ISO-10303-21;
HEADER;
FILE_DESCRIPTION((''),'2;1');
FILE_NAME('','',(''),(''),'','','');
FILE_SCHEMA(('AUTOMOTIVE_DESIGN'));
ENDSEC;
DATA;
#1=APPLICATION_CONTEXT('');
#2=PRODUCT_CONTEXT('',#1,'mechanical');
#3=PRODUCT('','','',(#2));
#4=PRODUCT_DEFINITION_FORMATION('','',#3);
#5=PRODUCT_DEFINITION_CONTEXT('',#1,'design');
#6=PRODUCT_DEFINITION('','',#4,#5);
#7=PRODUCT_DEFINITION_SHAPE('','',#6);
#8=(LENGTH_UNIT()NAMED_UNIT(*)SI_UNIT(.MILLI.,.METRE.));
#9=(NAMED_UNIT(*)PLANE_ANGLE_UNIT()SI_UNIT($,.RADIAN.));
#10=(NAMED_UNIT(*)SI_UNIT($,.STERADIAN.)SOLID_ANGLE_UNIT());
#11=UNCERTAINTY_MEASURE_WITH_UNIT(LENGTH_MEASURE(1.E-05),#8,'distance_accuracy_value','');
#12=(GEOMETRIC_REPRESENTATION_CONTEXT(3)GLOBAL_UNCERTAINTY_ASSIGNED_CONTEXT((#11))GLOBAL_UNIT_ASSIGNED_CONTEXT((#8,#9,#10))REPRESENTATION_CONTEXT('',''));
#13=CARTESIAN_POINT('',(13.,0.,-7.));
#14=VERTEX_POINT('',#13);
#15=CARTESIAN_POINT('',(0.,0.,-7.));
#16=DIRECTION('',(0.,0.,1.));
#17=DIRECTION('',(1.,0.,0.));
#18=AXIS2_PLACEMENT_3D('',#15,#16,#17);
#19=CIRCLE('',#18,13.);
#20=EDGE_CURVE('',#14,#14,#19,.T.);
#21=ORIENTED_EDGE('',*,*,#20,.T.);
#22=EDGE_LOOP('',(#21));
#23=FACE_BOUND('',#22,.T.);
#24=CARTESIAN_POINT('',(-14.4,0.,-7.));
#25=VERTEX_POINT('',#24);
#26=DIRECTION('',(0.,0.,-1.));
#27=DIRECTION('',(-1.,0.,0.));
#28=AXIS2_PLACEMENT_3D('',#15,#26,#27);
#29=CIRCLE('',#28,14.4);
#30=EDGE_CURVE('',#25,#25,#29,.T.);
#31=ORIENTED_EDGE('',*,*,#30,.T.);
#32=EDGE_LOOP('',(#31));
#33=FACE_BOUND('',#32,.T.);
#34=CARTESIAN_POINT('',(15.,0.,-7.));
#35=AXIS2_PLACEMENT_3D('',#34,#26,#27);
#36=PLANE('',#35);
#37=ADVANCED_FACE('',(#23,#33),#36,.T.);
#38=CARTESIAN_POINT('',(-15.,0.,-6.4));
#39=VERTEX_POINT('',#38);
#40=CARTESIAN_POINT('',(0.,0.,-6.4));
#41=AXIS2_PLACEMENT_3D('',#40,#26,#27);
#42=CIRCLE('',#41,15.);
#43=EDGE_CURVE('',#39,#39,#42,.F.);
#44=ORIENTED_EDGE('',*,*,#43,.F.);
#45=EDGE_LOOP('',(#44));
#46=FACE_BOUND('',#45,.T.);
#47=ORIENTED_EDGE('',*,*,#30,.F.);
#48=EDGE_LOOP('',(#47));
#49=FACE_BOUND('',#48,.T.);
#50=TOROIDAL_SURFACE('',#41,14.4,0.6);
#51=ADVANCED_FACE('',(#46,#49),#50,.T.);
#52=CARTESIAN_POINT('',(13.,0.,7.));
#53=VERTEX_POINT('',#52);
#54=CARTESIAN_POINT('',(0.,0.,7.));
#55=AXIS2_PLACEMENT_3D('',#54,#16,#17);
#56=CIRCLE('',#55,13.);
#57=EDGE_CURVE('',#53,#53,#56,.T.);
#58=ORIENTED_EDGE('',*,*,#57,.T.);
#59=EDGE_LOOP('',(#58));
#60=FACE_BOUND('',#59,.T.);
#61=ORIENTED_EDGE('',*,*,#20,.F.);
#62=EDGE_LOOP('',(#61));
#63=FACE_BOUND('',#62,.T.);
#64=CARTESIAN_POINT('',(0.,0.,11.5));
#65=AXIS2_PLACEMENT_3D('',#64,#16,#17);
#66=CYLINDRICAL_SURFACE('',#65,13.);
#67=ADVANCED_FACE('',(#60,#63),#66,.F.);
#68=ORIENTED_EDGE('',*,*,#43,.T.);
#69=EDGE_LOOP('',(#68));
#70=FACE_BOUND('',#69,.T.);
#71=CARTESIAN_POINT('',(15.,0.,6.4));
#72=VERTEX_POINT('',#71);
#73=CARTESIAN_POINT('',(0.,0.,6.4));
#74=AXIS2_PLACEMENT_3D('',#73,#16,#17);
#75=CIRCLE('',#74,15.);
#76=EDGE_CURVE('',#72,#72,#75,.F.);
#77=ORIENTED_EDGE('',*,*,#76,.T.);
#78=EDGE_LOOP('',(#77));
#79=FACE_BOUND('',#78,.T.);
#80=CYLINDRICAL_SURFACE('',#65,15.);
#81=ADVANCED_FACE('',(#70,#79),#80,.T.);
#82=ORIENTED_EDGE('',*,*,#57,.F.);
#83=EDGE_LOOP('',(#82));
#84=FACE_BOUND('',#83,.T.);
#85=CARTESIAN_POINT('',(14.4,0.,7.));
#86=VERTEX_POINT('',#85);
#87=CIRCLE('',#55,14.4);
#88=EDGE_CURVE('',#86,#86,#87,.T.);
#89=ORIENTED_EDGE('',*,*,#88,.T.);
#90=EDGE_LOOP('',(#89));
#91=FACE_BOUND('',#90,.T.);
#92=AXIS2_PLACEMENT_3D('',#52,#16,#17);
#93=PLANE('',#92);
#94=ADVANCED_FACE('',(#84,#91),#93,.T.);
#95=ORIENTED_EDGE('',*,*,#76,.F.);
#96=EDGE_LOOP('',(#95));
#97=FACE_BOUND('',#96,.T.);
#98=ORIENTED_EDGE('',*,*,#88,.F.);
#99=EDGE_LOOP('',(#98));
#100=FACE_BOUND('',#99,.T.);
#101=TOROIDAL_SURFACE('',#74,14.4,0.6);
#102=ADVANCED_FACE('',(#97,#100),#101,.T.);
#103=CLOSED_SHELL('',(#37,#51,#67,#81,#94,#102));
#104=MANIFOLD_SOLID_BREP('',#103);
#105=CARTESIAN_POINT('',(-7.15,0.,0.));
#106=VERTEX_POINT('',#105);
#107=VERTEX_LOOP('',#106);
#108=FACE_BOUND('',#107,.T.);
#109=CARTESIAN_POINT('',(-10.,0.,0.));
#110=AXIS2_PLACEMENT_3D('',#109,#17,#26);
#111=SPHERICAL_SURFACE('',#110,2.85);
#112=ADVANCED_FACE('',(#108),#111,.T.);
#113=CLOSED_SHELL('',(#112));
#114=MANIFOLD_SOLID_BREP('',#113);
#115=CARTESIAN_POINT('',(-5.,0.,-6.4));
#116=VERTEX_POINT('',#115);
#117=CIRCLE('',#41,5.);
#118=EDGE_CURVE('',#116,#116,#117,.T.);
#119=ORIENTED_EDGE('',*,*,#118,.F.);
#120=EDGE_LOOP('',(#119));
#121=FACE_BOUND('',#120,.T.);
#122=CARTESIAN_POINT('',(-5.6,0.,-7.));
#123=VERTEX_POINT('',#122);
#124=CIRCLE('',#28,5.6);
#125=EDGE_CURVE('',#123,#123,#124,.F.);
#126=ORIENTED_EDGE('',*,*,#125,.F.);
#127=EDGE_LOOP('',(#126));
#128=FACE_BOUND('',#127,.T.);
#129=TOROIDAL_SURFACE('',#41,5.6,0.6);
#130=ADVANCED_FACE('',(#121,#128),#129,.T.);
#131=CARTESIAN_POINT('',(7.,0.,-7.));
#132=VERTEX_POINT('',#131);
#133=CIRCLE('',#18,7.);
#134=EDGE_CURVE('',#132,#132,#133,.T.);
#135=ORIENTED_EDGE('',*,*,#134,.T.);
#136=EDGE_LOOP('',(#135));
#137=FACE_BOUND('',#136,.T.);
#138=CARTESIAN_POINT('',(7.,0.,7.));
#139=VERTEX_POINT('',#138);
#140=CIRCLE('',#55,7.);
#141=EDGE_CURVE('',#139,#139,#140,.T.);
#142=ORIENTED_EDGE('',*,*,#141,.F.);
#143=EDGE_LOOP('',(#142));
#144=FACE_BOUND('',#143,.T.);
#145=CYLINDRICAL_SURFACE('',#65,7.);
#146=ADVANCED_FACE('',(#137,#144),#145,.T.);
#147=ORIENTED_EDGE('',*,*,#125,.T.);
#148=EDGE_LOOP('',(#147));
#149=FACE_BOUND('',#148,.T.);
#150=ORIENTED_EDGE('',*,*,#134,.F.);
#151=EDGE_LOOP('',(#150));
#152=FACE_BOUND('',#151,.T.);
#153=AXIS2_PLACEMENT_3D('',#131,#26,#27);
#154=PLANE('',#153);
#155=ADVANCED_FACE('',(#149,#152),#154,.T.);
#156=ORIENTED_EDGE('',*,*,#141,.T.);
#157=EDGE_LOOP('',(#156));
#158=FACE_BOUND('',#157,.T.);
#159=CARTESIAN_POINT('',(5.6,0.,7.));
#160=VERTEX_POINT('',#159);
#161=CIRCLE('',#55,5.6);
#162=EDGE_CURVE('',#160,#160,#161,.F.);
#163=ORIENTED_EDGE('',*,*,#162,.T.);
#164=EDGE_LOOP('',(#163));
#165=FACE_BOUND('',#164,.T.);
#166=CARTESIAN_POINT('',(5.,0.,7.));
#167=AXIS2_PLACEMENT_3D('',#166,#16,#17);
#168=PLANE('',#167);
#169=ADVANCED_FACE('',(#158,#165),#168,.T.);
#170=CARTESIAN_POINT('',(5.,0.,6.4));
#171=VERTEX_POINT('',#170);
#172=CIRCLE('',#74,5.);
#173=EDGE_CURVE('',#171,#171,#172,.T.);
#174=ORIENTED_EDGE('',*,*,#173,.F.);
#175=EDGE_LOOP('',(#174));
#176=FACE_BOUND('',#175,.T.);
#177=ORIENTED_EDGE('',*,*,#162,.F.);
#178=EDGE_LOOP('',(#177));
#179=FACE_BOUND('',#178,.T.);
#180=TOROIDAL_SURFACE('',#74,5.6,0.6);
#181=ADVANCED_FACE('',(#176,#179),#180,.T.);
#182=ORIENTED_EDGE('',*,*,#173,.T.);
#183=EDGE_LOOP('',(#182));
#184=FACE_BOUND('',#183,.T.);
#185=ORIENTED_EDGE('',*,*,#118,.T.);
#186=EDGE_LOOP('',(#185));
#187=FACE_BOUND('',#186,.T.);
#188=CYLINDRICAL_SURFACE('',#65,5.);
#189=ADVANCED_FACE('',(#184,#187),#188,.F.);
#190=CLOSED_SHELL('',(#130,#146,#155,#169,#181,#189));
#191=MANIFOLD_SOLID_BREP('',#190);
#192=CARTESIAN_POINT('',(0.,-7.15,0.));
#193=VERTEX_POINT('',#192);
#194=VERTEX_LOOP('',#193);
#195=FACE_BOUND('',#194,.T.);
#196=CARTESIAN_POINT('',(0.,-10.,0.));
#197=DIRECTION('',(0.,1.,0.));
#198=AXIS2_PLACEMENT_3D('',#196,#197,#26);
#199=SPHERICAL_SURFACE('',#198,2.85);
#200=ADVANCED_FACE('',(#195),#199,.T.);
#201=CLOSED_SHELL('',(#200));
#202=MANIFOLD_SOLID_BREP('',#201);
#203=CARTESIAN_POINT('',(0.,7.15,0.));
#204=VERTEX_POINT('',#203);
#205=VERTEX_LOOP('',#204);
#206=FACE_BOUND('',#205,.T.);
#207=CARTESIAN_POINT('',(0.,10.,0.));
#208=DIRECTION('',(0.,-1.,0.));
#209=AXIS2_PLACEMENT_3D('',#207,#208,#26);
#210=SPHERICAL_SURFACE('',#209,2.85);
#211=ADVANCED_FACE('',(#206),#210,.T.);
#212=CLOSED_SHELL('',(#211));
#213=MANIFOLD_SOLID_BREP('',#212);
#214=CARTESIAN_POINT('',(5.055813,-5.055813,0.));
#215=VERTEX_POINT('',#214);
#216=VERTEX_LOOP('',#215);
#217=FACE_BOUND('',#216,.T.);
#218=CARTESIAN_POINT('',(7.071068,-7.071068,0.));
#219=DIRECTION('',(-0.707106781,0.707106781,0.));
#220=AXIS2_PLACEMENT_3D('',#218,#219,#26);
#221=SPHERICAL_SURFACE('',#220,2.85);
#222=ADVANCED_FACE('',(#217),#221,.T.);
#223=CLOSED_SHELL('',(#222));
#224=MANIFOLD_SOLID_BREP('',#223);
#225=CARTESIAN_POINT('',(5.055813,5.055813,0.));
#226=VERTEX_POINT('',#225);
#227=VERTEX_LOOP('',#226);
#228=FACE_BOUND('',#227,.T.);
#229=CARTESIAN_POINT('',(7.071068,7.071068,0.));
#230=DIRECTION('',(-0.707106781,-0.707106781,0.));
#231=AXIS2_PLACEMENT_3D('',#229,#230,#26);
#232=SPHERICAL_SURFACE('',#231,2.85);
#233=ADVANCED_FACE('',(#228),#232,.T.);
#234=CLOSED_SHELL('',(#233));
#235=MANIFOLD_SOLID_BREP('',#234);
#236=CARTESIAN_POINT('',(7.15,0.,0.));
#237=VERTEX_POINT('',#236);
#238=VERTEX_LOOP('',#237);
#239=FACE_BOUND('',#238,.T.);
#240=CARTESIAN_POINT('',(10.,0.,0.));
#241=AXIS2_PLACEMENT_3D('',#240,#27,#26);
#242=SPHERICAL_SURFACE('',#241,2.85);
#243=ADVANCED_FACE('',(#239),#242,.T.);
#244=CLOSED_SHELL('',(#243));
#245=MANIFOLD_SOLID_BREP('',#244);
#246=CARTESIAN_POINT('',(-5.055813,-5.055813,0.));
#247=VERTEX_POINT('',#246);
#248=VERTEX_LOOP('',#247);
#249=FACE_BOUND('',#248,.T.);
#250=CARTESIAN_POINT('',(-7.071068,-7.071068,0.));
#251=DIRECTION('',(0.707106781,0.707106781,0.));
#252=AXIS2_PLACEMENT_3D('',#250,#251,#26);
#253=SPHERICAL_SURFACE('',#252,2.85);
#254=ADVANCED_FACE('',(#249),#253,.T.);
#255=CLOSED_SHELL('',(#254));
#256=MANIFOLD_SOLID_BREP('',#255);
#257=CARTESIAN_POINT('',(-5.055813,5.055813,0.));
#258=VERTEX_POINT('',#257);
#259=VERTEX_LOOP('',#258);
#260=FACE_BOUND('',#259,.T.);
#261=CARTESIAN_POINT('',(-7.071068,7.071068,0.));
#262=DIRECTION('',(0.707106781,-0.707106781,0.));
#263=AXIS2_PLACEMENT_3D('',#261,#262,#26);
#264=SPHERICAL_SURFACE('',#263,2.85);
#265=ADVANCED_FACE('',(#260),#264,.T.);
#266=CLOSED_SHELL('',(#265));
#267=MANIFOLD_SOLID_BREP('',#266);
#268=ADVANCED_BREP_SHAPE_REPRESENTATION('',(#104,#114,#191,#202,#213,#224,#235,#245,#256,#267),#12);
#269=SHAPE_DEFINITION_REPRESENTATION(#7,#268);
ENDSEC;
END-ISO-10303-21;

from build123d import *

# Parameters (mm, degrees)
INNERS_W           = 2
INNERS_H           = 14
OUTERS_W           = 2
OUTERS_H           = 14
BALLSPATTERN_COUNT = 8
FILLET_F1_R        = 0.6
FILLET_F2_R        = 0.6


with BuildPart() as part:
    # InnerS → InnerRing (revolve)
    with BuildSketch(Plane(origin=(0, 0, 0), x_dir=(1, 0, 0), z_dir=(0, 1, 0))):
        with Locations((6, 0)):
            Rectangle(INNERS_W, INNERS_H)
    revolve(axis=Axis((0, 0, 11.5), (0, 0, -1)))

    # Fillet F2
    fillet_f2_edges = [part.edges().sort_by_distance(p)[0] for p in [
        (-5, 0, -7),
        (-5, 0, 7),
    ]]
    fillet(fillet_f2_edges, radius=FILLET_F2_R)


with BuildPart() as body_2:
    # OuterS → OuterRing (revolve)
    with BuildSketch(Plane(origin=(0, 0, 0), x_dir=(1, 0, 0), z_dir=(0, 1, 0))):
        with Locations((14, 0)):
            Rectangle(OUTERS_W, OUTERS_H)
    revolve(axis=Axis((0, 0, 11.5), (0, 0, -1)))

    # Fillet F1
    fillet_f1_edges = [body_2.edges().sort_by_distance(p)[0] for p in [
        (-15, 0, -7),
        (-15, 0, 7),
    ]]
    fillet(fillet_f1_edges, radius=FILLET_F1_R)


with BuildPart() as body_3:
    # BallS → Ball (revolve)
    with BuildSketch(Plane(origin=(0, 0, 0), x_dir=(1, 0, 0), z_dir=(0, 1, 0))):
        with BuildLine():
            Line((7.15, 0), (12.85, 0))
            ThreePointArc((12.85, 0), (10, -2.85), (7.15, 0))
        make_face()
    revolve(axis=Axis((7.15, 0, 0), (1, 0, 0)))


with BuildPart() as ballspattern_1:
    # BallsPattern: pattern copy
    add(body_3.part.rotate(Axis((0, 0, -7.7), (0, 0, 1)), 1 * 360 / BALLSPATTERN_COUNT))


with BuildPart() as ballspattern_2:
    # BallsPattern: pattern copy
    add(body_3.part.rotate(Axis((0, 0, -7.7), (0, 0, 1)), 2 * 360 / BALLSPATTERN_COUNT))


with BuildPart() as ballspattern_3:
    # BallsPattern: pattern copy
    add(body_3.part.rotate(Axis((0, 0, -7.7), (0, 0, 1)), 3 * 360 / BALLSPATTERN_COUNT))


with BuildPart() as ballspattern_4:
    # BallsPattern: pattern copy
    add(body_3.part.rotate(Axis((0, 0, -7.7), (0, 0, 1)), 4 * 360 / BALLSPATTERN_COUNT))


with BuildPart() as ballspattern_5:
    # BallsPattern: pattern copy
    add(body_3.part.rotate(Axis((0, 0, -7.7), (0, 0, 1)), 5 * 360 / BALLSPATTERN_COUNT))


with BuildPart() as ballspattern_6:
    # BallsPattern: pattern copy
    add(body_3.part.rotate(Axis((0, 0, -7.7), (0, 0, 1)), 6 * 360 / BALLSPATTERN_COUNT))


with BuildPart() as ballspattern_7:
    # BallsPattern: pattern copy
    add(body_3.part.rotate(Axis((0, 0, -7.7), (0, 0, 1)), 7 * 360 / BALLSPATTERN_COUNT))


solid = Compound([part.part, body_2.part, body_3.part, ballspattern_1.part, ballspattern_2.part, ballspattern_3.part, ballspattern_4.part, ballspattern_5.part, ballspattern_6.part, ballspattern_7.part])
